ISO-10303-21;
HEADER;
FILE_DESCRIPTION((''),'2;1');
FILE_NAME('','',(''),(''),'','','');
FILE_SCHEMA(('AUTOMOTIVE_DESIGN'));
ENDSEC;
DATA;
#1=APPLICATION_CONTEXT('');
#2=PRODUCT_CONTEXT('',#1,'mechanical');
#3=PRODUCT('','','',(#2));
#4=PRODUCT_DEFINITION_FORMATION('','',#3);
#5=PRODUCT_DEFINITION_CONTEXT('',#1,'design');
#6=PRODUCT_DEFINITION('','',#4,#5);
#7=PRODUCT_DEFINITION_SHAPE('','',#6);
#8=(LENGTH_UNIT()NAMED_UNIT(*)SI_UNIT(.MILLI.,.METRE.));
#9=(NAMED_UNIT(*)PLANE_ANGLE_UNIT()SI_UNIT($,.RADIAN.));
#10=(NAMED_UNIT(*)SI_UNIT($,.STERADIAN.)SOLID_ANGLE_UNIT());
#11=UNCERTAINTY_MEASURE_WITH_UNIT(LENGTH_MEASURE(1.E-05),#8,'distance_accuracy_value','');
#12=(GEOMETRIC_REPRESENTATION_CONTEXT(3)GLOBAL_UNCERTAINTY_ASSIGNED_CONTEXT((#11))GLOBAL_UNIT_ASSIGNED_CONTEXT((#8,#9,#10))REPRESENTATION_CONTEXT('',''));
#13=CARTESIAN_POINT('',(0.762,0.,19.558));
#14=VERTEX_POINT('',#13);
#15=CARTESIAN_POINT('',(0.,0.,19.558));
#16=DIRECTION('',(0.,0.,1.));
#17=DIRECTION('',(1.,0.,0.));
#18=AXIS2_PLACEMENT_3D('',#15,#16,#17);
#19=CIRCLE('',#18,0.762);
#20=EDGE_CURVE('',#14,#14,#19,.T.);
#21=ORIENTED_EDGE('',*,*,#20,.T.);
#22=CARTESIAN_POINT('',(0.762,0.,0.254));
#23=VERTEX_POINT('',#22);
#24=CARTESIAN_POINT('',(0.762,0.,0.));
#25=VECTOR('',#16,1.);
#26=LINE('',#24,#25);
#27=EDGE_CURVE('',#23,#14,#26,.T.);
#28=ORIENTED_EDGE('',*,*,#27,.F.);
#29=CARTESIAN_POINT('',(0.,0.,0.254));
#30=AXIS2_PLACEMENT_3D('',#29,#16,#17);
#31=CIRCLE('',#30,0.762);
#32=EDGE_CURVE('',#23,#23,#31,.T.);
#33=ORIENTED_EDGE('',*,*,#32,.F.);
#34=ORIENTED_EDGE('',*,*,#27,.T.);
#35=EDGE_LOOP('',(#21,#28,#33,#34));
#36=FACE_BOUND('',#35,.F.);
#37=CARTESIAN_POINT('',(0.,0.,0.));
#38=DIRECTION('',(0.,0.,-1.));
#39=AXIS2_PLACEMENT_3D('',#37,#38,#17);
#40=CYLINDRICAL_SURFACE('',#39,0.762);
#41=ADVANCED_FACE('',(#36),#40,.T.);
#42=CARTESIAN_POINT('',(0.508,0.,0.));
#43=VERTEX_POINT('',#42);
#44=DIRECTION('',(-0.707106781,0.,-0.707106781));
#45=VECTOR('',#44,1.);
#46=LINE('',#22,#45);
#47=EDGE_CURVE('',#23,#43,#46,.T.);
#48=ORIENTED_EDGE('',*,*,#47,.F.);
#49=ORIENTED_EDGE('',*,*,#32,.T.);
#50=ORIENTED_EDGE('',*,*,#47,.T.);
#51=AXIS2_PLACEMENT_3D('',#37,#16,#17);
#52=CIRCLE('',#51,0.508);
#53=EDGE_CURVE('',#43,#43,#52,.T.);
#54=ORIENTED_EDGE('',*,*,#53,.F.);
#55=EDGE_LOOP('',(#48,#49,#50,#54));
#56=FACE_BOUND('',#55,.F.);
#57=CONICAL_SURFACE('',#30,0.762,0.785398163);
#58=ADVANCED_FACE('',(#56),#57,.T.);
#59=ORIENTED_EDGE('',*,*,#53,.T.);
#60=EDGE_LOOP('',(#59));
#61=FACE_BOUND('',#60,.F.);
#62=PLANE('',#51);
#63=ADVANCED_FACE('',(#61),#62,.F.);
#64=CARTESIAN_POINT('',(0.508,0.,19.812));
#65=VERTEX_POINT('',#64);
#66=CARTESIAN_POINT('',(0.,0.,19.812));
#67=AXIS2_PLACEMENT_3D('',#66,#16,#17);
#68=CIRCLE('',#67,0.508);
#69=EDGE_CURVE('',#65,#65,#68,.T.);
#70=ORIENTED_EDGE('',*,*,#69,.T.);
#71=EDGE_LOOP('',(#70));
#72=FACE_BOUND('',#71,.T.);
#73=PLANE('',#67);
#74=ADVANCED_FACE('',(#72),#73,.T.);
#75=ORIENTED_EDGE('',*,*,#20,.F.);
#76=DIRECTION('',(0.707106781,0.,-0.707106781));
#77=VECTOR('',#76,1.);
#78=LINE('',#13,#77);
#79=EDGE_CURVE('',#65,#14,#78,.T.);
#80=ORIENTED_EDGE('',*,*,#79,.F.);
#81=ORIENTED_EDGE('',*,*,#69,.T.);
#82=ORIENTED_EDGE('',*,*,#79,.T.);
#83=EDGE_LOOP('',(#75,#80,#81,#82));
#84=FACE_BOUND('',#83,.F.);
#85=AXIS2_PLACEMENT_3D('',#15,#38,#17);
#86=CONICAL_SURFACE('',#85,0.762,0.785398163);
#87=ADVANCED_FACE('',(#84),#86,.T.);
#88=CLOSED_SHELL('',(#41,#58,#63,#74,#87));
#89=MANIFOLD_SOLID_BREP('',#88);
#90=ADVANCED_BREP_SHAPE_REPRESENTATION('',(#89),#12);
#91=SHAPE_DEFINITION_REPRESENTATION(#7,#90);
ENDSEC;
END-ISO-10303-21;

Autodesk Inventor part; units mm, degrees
ref_plane "YZ Plane" through (0, 0, 0) normal (1, 0, 0) x (0, 1, 0)
ref_plane "XZ Plane" through (0, 0, 0) normal (0, 1, 0) x (-1, 0, 0)
ref_plane "XY Plane" through (0, 0, 0) normal (0, 0, 1) x (1, 0, 0)
sketch "Sketch1" plane through (0, 0, 0) normal (0, 0, 1) x (1, 0, 0)
  circle A0 centre (0, 0) radius 0.762
  dimension "d0" = 1.524
extrude "Extrusion1" add sketch "Sketch1" along normal blind 19.812
chamfer "Chamfer1" distance 0.254 distance2 0.254 1 edges at (-0.762, 0, 19.812) measured on face at (0.4109, -0.2521, 19.812)
chamfer "Chamfer2" distance 0.254 distance2 0.254 1 edges at (-0.762, 0, 0) measured on face at (0.7595, -0.0613, 13.0387)
properties part number "Main axel" material "Stainless Steel"
